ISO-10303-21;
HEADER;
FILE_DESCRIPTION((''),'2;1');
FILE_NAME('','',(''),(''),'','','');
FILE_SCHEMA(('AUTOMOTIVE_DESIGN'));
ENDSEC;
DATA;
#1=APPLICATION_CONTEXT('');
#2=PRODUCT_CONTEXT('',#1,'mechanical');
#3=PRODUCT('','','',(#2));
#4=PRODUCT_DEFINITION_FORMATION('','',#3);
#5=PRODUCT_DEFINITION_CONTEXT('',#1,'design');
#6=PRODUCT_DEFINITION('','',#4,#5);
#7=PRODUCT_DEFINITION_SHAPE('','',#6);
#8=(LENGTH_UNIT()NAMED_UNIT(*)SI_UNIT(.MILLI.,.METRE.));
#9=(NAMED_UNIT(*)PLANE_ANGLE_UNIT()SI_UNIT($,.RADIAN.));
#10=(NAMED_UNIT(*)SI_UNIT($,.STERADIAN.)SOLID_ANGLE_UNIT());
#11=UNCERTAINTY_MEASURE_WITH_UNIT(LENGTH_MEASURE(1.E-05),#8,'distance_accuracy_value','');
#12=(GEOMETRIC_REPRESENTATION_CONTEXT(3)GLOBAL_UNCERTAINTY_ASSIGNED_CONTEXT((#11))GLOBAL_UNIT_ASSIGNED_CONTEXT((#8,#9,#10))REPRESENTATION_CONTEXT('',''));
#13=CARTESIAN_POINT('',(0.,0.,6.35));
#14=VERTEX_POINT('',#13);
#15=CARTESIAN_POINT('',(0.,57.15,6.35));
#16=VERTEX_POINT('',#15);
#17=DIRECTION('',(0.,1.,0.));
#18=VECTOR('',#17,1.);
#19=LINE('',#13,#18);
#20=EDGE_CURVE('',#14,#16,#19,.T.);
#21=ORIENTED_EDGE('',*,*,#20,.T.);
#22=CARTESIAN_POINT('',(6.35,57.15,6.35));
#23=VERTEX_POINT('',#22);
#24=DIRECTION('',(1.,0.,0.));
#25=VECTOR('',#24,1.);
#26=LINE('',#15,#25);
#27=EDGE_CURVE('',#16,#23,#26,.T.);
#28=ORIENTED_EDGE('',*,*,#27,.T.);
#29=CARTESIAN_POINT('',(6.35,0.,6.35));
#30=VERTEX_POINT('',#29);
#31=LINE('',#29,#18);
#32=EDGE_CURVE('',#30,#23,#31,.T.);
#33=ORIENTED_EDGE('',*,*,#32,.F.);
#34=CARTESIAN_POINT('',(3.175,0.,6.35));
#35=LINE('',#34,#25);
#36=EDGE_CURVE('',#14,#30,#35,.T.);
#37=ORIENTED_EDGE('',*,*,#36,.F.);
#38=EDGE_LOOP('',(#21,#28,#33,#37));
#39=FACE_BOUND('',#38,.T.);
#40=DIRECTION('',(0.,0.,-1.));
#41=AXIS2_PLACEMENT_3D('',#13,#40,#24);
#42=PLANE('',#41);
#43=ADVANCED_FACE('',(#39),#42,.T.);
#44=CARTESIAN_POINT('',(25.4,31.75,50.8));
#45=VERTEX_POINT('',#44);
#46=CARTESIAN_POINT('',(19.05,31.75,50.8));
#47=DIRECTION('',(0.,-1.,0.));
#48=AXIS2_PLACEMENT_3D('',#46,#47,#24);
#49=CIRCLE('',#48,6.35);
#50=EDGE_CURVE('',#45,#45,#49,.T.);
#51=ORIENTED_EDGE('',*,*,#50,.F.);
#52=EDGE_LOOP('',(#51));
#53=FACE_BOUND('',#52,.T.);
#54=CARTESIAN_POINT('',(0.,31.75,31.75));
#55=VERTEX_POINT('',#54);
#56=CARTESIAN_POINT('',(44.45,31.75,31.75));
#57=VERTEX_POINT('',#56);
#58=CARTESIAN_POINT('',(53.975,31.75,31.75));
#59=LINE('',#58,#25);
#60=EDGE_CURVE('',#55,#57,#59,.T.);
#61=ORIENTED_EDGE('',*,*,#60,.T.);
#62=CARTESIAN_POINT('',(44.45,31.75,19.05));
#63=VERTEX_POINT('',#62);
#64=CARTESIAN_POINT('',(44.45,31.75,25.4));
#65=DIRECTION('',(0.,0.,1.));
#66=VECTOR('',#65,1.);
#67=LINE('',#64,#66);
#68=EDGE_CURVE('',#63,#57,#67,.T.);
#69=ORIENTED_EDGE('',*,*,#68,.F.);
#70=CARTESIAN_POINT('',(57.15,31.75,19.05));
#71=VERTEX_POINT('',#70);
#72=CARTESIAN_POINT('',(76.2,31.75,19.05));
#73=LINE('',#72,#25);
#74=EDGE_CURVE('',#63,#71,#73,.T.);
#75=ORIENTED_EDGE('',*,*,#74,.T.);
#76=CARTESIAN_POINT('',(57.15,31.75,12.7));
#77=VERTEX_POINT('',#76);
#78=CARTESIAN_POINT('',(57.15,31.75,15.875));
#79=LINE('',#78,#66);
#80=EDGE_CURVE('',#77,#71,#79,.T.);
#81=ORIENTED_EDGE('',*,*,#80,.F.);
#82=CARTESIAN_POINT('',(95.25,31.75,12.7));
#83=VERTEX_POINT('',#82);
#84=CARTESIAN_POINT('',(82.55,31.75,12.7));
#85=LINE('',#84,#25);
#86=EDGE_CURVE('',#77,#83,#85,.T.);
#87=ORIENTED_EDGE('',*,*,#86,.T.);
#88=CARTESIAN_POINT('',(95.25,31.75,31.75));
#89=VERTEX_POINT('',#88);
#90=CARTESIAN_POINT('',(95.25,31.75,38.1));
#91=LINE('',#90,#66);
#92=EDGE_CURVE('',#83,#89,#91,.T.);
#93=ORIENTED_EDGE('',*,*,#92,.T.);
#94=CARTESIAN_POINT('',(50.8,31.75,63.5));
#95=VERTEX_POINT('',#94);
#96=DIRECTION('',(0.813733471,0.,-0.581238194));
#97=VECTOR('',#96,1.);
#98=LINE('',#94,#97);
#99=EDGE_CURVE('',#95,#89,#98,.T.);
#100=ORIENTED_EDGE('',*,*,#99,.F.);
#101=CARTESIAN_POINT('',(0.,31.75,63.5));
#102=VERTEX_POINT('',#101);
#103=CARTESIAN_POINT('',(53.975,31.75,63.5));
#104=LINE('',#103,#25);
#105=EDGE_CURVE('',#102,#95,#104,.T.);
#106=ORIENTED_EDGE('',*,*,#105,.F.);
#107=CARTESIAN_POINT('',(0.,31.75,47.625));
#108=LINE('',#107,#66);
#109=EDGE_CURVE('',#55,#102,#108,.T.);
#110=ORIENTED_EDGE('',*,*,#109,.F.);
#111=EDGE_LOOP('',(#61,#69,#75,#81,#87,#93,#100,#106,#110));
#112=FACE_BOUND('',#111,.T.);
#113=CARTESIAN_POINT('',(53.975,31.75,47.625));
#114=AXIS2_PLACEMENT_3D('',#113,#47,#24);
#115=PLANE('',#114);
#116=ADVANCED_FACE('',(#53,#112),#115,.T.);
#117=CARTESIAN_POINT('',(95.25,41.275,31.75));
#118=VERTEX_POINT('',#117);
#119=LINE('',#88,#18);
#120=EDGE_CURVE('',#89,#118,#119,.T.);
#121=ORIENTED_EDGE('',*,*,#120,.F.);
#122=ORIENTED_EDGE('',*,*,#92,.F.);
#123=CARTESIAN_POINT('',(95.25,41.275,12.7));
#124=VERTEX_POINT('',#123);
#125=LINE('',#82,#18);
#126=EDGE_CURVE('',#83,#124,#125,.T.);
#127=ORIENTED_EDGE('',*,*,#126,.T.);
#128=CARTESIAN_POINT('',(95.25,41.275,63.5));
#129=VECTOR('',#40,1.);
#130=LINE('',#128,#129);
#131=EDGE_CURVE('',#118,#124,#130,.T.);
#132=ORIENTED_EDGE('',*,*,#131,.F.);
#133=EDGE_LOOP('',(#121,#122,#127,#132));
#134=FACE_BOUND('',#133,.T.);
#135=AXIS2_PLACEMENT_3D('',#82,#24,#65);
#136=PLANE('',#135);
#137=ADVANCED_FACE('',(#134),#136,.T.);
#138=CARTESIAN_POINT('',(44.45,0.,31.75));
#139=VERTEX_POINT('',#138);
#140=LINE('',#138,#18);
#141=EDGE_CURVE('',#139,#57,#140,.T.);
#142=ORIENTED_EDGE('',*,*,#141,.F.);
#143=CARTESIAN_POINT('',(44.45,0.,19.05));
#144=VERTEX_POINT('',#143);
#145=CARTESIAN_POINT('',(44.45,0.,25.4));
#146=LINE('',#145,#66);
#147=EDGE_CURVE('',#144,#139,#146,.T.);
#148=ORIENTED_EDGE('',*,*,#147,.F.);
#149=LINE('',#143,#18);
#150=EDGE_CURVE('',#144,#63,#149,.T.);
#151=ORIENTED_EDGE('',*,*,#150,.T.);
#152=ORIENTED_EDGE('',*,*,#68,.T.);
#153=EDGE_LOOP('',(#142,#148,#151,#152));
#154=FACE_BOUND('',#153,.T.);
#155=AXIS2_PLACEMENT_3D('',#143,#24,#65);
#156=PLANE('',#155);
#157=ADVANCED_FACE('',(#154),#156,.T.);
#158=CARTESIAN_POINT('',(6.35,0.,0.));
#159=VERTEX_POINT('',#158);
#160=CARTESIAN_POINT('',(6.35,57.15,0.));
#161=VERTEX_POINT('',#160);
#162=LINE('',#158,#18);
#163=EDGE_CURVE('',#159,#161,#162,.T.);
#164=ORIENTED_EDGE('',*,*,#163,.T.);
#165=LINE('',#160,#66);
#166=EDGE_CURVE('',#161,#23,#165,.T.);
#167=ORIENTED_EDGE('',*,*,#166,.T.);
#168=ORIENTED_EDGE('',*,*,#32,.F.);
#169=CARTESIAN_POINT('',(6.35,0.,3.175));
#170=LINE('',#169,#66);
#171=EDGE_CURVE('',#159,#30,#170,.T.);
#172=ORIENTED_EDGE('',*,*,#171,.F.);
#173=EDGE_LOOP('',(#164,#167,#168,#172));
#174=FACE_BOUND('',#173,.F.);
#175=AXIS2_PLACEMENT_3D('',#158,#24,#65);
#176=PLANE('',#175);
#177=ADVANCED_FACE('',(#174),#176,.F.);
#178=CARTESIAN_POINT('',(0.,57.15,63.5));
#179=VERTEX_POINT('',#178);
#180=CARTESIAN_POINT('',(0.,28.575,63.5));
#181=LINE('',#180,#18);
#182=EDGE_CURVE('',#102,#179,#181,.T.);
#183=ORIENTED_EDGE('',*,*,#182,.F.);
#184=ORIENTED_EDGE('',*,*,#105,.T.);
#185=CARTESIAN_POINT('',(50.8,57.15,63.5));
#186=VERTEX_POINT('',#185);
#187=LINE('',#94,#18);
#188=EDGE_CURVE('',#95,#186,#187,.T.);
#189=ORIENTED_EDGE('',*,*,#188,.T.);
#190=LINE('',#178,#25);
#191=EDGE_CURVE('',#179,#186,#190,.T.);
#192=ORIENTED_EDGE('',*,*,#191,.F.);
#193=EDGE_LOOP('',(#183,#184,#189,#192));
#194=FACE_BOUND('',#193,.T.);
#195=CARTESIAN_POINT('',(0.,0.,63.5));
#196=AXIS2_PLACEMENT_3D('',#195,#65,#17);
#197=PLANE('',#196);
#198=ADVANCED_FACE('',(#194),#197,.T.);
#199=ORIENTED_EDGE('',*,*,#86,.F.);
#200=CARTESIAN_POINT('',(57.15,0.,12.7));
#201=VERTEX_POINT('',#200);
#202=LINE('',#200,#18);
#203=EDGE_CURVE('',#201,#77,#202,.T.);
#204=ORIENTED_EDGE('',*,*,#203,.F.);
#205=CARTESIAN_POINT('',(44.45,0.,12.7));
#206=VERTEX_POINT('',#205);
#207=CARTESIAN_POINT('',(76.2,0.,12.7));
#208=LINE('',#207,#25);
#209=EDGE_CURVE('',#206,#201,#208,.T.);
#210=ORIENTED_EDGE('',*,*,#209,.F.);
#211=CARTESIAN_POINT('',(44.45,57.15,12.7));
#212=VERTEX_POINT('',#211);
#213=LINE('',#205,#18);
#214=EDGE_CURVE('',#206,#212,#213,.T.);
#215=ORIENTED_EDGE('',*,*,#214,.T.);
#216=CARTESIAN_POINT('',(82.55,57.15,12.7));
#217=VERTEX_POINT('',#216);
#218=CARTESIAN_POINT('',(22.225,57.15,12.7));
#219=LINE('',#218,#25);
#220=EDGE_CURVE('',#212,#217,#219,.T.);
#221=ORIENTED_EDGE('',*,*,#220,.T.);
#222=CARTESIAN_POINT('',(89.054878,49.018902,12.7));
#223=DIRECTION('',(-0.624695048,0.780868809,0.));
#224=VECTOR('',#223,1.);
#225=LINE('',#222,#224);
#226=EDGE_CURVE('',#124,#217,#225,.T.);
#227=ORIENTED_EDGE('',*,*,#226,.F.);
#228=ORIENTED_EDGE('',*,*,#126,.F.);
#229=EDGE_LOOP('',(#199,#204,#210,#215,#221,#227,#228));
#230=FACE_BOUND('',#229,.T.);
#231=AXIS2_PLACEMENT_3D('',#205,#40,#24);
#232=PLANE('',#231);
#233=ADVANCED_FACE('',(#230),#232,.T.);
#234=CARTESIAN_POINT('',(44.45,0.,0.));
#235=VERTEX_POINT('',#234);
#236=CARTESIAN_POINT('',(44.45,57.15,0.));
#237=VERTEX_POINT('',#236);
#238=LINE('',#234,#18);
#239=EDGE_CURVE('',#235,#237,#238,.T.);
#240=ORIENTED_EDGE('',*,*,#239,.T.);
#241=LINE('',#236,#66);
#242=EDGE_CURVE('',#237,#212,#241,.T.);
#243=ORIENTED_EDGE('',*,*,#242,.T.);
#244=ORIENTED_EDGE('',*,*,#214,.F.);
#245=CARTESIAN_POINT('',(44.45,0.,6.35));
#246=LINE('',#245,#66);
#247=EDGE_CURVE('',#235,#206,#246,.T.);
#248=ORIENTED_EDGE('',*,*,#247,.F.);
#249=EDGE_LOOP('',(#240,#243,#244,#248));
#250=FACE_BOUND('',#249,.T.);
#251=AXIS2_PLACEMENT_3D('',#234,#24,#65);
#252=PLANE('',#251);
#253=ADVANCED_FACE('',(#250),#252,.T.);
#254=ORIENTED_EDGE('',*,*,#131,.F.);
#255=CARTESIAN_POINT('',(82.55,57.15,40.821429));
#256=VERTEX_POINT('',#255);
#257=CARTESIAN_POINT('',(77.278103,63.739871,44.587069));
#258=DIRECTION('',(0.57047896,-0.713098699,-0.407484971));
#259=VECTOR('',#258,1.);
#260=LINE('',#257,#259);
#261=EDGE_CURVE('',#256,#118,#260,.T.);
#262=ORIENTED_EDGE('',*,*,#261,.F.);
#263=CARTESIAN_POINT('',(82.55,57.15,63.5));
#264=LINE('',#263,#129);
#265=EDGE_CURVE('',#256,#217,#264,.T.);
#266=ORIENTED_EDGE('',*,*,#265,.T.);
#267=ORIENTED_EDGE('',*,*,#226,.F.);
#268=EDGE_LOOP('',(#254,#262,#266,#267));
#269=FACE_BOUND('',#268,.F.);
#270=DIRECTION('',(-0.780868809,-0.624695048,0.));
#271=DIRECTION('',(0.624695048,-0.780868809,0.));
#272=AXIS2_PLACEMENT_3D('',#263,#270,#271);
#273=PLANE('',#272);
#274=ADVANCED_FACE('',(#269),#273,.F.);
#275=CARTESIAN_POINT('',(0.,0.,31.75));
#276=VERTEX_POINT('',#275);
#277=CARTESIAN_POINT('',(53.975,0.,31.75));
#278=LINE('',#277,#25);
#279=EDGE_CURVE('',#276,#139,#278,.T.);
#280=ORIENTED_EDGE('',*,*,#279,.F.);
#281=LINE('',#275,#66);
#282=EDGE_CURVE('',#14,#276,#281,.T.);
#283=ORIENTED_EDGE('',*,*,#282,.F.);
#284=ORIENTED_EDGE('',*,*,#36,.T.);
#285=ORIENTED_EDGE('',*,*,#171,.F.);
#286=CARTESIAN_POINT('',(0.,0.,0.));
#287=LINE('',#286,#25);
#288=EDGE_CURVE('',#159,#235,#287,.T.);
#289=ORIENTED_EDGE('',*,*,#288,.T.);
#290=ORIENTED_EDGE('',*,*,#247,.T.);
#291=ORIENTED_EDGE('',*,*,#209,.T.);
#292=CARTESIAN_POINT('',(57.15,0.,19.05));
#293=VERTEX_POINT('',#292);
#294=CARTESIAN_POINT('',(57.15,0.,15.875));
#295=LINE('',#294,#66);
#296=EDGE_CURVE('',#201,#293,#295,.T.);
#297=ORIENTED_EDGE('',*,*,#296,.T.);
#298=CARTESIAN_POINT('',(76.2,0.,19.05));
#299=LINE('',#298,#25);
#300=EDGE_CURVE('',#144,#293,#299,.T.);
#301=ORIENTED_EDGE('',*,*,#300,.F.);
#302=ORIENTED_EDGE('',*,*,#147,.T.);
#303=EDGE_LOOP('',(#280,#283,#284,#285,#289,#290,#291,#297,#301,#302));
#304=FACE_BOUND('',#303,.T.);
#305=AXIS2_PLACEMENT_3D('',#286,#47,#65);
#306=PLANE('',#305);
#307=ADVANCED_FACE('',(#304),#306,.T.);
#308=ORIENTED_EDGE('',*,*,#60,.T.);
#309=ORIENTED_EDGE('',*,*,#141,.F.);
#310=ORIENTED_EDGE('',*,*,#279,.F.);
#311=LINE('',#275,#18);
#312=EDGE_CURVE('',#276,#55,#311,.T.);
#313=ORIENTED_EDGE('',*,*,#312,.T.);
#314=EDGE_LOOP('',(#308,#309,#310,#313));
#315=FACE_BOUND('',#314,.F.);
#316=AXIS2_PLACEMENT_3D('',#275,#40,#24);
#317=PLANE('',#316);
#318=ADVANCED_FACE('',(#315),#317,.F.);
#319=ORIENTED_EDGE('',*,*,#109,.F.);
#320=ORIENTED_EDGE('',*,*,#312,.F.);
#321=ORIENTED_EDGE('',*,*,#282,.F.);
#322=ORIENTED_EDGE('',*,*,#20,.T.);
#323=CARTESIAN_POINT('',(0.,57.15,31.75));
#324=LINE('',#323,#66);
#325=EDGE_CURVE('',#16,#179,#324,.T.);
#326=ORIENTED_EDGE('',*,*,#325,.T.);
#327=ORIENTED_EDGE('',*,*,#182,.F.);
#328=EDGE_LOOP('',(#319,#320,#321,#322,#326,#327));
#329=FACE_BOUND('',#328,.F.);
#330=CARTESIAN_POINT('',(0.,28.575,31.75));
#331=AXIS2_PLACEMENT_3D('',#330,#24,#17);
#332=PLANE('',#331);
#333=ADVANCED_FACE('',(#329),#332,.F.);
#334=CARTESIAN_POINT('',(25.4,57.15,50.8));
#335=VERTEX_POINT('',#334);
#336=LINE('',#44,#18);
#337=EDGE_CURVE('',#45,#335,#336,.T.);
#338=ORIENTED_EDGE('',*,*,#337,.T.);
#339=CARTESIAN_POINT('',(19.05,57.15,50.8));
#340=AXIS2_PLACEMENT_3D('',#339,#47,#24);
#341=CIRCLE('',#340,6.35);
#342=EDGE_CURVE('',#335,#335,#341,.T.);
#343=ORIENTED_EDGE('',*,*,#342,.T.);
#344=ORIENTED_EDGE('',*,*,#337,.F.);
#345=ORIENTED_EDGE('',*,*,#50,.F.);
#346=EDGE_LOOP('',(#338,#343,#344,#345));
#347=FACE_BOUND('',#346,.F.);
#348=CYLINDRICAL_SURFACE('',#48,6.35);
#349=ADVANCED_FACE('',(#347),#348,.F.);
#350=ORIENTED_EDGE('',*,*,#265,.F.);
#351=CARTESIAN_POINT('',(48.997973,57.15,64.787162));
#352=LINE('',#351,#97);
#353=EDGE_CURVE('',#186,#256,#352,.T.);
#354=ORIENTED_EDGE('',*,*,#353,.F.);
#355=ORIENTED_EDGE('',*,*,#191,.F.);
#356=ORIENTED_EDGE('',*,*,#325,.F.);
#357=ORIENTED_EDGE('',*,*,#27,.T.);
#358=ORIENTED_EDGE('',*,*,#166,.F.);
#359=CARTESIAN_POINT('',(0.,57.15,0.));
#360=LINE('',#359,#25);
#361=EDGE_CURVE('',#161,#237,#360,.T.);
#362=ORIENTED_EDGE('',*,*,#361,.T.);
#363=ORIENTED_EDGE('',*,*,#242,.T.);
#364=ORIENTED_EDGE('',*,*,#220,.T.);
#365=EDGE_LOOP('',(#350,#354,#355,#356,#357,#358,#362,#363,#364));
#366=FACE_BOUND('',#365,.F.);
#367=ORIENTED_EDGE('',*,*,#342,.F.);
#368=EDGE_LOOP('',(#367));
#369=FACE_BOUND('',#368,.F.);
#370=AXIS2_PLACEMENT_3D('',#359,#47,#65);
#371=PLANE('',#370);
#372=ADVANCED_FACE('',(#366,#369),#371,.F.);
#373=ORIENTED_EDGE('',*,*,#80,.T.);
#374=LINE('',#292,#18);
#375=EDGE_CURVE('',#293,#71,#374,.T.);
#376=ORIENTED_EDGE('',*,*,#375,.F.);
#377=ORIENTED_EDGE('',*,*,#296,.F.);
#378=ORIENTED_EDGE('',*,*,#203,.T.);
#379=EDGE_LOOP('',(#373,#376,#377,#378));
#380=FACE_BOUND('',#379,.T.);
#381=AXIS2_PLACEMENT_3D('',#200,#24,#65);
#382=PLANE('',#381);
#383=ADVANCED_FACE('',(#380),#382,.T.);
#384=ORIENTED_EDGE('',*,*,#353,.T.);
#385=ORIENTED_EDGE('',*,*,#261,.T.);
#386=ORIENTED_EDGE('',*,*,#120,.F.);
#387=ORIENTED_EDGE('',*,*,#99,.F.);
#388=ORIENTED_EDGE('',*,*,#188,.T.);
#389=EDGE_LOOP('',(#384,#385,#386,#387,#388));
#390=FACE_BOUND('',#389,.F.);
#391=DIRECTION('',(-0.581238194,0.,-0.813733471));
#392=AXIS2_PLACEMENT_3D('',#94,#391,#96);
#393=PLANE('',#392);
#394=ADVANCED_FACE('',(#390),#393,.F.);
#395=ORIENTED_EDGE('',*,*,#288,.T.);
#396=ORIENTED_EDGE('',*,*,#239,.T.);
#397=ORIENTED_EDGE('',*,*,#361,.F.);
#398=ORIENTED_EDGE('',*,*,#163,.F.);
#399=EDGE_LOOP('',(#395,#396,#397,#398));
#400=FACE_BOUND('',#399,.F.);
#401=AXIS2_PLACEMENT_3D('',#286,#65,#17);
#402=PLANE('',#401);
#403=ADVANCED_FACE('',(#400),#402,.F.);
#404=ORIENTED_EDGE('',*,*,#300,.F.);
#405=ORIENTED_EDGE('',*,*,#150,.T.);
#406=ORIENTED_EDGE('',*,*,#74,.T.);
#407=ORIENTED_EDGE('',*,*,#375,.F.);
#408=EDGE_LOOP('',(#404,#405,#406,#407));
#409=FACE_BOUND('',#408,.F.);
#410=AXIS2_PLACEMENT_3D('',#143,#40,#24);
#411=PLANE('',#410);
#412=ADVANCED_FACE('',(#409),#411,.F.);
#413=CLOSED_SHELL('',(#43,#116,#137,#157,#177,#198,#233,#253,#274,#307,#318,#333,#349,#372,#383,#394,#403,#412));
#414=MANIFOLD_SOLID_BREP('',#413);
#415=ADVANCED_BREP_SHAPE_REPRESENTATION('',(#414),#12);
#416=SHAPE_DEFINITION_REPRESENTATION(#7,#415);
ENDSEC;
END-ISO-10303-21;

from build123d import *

# Parameters (mm, degrees)
F0_W      = 57.15
F0_H      = 63.5
F1_DEPTH  = 107.95
F2_W      = 6.35
F2_H      = 6.35
F3_DEPTH  = 57.151
F4_W      = 107.95
F4_H      = 31.75
F5_DEPTH  = 31.75
F6_W      = 63.5
F6_H      = 12.7
F7_DEPTH  = 31.75
F8_W      = 63.5
F8_H      = 12.7
F9_DEPTH  = 57.151
F10_W     = 50.8
F10_H     = 6.35
F11_DEPTH = 31.75
F12_W     = 12.7
F12_H     = 50.8
F13_DEPTH = 25.401
F15_DEPTH = 63.501
F17_DEPTH = 25.401
F18_R     = 6.35
F19_DEPTH = 25.401


with BuildPart() as f1:
    # F0 (on Right) → F1 (new body)
    with BuildSketch(Plane.YZ):
        with Locations((28.575, 31.75)):
            Rectangle(F0_W, F0_H)
    extrude(amount=F1_DEPTH)

    # F2 (on face) → F3 (cut, through all)
    with BuildSketch(Plane.XZ):
        with Locations((3.175, 3.175)):
            Rectangle(F2_W, F2_H)
    extrude(amount=-F3_DEPTH, mode=Mode.SUBTRACT)

    # F4 (on face) → F5 (cut)
    with BuildSketch(Plane.XZ):
        with Locations((53.975, 47.625)):
            Rectangle(F4_W, F4_H)
    extrude(amount=-F5_DEPTH, mode=Mode.SUBTRACT)

    # F6 (on face) → F7 (cut)
    with BuildSketch(Plane.XZ):
        with Locations((76.2, 25.4)):
            Rectangle(F6_W, F6_H)
    extrude(amount=-F7_DEPTH, mode=Mode.SUBTRACT)

    # F8 (on face) → F9 (cut, through all)
    with BuildSketch(Plane.XZ):
        with Locations((76.2, 6.35)):
            Rectangle(F8_W, F8_H)
    extrude(amount=-F9_DEPTH, mode=Mode.SUBTRACT)

    # F10 (on face) → F11 (cut)
    with BuildSketch(Plane.XZ):
        with Locations((82.55, 15.875)):
            Rectangle(F10_W, F10_H)
    extrude(amount=-F11_DEPTH, mode=Mode.SUBTRACT)

    # F12 (on face) → F13 (cut, through all)
    with BuildSketch(Plane.XZ.offset(-31.75)):
        with Locations((101.6, 38.1)):
            Rectangle(F12_W, F12_H)
    extrude(amount=-F13_DEPTH, mode=Mode.SUBTRACT)

    # F14 (on face) → F15 (cut, through all)
    with BuildSketch(Plane.XY.offset(63.5)):
        Polygon((82.55, 57.15), (95.25, 41.275), (95.25, 57.15), align=None)
    extrude(amount=-F15_DEPTH, mode=Mode.SUBTRACT)

    # F16 (on face) → F17 (cut, through all)
    with BuildSketch(Plane.XZ.offset(-31.75)):
        Polygon((95.25, 63.5), (50.8, 63.5), (95.25, 31.75), align=None)
    extrude(amount=-F17_DEPTH, mode=Mode.SUBTRACT)

    # F18 (on face) → F19 (cut, through all)
    with BuildSketch(Plane.XZ.offset(-31.75)):
        with Locations((19.05, 50.8)):
            Circle(F18_R)
    extrude(amount=-F19_DEPTH, mode=Mode.SUBTRACT)


solid = f1.part
